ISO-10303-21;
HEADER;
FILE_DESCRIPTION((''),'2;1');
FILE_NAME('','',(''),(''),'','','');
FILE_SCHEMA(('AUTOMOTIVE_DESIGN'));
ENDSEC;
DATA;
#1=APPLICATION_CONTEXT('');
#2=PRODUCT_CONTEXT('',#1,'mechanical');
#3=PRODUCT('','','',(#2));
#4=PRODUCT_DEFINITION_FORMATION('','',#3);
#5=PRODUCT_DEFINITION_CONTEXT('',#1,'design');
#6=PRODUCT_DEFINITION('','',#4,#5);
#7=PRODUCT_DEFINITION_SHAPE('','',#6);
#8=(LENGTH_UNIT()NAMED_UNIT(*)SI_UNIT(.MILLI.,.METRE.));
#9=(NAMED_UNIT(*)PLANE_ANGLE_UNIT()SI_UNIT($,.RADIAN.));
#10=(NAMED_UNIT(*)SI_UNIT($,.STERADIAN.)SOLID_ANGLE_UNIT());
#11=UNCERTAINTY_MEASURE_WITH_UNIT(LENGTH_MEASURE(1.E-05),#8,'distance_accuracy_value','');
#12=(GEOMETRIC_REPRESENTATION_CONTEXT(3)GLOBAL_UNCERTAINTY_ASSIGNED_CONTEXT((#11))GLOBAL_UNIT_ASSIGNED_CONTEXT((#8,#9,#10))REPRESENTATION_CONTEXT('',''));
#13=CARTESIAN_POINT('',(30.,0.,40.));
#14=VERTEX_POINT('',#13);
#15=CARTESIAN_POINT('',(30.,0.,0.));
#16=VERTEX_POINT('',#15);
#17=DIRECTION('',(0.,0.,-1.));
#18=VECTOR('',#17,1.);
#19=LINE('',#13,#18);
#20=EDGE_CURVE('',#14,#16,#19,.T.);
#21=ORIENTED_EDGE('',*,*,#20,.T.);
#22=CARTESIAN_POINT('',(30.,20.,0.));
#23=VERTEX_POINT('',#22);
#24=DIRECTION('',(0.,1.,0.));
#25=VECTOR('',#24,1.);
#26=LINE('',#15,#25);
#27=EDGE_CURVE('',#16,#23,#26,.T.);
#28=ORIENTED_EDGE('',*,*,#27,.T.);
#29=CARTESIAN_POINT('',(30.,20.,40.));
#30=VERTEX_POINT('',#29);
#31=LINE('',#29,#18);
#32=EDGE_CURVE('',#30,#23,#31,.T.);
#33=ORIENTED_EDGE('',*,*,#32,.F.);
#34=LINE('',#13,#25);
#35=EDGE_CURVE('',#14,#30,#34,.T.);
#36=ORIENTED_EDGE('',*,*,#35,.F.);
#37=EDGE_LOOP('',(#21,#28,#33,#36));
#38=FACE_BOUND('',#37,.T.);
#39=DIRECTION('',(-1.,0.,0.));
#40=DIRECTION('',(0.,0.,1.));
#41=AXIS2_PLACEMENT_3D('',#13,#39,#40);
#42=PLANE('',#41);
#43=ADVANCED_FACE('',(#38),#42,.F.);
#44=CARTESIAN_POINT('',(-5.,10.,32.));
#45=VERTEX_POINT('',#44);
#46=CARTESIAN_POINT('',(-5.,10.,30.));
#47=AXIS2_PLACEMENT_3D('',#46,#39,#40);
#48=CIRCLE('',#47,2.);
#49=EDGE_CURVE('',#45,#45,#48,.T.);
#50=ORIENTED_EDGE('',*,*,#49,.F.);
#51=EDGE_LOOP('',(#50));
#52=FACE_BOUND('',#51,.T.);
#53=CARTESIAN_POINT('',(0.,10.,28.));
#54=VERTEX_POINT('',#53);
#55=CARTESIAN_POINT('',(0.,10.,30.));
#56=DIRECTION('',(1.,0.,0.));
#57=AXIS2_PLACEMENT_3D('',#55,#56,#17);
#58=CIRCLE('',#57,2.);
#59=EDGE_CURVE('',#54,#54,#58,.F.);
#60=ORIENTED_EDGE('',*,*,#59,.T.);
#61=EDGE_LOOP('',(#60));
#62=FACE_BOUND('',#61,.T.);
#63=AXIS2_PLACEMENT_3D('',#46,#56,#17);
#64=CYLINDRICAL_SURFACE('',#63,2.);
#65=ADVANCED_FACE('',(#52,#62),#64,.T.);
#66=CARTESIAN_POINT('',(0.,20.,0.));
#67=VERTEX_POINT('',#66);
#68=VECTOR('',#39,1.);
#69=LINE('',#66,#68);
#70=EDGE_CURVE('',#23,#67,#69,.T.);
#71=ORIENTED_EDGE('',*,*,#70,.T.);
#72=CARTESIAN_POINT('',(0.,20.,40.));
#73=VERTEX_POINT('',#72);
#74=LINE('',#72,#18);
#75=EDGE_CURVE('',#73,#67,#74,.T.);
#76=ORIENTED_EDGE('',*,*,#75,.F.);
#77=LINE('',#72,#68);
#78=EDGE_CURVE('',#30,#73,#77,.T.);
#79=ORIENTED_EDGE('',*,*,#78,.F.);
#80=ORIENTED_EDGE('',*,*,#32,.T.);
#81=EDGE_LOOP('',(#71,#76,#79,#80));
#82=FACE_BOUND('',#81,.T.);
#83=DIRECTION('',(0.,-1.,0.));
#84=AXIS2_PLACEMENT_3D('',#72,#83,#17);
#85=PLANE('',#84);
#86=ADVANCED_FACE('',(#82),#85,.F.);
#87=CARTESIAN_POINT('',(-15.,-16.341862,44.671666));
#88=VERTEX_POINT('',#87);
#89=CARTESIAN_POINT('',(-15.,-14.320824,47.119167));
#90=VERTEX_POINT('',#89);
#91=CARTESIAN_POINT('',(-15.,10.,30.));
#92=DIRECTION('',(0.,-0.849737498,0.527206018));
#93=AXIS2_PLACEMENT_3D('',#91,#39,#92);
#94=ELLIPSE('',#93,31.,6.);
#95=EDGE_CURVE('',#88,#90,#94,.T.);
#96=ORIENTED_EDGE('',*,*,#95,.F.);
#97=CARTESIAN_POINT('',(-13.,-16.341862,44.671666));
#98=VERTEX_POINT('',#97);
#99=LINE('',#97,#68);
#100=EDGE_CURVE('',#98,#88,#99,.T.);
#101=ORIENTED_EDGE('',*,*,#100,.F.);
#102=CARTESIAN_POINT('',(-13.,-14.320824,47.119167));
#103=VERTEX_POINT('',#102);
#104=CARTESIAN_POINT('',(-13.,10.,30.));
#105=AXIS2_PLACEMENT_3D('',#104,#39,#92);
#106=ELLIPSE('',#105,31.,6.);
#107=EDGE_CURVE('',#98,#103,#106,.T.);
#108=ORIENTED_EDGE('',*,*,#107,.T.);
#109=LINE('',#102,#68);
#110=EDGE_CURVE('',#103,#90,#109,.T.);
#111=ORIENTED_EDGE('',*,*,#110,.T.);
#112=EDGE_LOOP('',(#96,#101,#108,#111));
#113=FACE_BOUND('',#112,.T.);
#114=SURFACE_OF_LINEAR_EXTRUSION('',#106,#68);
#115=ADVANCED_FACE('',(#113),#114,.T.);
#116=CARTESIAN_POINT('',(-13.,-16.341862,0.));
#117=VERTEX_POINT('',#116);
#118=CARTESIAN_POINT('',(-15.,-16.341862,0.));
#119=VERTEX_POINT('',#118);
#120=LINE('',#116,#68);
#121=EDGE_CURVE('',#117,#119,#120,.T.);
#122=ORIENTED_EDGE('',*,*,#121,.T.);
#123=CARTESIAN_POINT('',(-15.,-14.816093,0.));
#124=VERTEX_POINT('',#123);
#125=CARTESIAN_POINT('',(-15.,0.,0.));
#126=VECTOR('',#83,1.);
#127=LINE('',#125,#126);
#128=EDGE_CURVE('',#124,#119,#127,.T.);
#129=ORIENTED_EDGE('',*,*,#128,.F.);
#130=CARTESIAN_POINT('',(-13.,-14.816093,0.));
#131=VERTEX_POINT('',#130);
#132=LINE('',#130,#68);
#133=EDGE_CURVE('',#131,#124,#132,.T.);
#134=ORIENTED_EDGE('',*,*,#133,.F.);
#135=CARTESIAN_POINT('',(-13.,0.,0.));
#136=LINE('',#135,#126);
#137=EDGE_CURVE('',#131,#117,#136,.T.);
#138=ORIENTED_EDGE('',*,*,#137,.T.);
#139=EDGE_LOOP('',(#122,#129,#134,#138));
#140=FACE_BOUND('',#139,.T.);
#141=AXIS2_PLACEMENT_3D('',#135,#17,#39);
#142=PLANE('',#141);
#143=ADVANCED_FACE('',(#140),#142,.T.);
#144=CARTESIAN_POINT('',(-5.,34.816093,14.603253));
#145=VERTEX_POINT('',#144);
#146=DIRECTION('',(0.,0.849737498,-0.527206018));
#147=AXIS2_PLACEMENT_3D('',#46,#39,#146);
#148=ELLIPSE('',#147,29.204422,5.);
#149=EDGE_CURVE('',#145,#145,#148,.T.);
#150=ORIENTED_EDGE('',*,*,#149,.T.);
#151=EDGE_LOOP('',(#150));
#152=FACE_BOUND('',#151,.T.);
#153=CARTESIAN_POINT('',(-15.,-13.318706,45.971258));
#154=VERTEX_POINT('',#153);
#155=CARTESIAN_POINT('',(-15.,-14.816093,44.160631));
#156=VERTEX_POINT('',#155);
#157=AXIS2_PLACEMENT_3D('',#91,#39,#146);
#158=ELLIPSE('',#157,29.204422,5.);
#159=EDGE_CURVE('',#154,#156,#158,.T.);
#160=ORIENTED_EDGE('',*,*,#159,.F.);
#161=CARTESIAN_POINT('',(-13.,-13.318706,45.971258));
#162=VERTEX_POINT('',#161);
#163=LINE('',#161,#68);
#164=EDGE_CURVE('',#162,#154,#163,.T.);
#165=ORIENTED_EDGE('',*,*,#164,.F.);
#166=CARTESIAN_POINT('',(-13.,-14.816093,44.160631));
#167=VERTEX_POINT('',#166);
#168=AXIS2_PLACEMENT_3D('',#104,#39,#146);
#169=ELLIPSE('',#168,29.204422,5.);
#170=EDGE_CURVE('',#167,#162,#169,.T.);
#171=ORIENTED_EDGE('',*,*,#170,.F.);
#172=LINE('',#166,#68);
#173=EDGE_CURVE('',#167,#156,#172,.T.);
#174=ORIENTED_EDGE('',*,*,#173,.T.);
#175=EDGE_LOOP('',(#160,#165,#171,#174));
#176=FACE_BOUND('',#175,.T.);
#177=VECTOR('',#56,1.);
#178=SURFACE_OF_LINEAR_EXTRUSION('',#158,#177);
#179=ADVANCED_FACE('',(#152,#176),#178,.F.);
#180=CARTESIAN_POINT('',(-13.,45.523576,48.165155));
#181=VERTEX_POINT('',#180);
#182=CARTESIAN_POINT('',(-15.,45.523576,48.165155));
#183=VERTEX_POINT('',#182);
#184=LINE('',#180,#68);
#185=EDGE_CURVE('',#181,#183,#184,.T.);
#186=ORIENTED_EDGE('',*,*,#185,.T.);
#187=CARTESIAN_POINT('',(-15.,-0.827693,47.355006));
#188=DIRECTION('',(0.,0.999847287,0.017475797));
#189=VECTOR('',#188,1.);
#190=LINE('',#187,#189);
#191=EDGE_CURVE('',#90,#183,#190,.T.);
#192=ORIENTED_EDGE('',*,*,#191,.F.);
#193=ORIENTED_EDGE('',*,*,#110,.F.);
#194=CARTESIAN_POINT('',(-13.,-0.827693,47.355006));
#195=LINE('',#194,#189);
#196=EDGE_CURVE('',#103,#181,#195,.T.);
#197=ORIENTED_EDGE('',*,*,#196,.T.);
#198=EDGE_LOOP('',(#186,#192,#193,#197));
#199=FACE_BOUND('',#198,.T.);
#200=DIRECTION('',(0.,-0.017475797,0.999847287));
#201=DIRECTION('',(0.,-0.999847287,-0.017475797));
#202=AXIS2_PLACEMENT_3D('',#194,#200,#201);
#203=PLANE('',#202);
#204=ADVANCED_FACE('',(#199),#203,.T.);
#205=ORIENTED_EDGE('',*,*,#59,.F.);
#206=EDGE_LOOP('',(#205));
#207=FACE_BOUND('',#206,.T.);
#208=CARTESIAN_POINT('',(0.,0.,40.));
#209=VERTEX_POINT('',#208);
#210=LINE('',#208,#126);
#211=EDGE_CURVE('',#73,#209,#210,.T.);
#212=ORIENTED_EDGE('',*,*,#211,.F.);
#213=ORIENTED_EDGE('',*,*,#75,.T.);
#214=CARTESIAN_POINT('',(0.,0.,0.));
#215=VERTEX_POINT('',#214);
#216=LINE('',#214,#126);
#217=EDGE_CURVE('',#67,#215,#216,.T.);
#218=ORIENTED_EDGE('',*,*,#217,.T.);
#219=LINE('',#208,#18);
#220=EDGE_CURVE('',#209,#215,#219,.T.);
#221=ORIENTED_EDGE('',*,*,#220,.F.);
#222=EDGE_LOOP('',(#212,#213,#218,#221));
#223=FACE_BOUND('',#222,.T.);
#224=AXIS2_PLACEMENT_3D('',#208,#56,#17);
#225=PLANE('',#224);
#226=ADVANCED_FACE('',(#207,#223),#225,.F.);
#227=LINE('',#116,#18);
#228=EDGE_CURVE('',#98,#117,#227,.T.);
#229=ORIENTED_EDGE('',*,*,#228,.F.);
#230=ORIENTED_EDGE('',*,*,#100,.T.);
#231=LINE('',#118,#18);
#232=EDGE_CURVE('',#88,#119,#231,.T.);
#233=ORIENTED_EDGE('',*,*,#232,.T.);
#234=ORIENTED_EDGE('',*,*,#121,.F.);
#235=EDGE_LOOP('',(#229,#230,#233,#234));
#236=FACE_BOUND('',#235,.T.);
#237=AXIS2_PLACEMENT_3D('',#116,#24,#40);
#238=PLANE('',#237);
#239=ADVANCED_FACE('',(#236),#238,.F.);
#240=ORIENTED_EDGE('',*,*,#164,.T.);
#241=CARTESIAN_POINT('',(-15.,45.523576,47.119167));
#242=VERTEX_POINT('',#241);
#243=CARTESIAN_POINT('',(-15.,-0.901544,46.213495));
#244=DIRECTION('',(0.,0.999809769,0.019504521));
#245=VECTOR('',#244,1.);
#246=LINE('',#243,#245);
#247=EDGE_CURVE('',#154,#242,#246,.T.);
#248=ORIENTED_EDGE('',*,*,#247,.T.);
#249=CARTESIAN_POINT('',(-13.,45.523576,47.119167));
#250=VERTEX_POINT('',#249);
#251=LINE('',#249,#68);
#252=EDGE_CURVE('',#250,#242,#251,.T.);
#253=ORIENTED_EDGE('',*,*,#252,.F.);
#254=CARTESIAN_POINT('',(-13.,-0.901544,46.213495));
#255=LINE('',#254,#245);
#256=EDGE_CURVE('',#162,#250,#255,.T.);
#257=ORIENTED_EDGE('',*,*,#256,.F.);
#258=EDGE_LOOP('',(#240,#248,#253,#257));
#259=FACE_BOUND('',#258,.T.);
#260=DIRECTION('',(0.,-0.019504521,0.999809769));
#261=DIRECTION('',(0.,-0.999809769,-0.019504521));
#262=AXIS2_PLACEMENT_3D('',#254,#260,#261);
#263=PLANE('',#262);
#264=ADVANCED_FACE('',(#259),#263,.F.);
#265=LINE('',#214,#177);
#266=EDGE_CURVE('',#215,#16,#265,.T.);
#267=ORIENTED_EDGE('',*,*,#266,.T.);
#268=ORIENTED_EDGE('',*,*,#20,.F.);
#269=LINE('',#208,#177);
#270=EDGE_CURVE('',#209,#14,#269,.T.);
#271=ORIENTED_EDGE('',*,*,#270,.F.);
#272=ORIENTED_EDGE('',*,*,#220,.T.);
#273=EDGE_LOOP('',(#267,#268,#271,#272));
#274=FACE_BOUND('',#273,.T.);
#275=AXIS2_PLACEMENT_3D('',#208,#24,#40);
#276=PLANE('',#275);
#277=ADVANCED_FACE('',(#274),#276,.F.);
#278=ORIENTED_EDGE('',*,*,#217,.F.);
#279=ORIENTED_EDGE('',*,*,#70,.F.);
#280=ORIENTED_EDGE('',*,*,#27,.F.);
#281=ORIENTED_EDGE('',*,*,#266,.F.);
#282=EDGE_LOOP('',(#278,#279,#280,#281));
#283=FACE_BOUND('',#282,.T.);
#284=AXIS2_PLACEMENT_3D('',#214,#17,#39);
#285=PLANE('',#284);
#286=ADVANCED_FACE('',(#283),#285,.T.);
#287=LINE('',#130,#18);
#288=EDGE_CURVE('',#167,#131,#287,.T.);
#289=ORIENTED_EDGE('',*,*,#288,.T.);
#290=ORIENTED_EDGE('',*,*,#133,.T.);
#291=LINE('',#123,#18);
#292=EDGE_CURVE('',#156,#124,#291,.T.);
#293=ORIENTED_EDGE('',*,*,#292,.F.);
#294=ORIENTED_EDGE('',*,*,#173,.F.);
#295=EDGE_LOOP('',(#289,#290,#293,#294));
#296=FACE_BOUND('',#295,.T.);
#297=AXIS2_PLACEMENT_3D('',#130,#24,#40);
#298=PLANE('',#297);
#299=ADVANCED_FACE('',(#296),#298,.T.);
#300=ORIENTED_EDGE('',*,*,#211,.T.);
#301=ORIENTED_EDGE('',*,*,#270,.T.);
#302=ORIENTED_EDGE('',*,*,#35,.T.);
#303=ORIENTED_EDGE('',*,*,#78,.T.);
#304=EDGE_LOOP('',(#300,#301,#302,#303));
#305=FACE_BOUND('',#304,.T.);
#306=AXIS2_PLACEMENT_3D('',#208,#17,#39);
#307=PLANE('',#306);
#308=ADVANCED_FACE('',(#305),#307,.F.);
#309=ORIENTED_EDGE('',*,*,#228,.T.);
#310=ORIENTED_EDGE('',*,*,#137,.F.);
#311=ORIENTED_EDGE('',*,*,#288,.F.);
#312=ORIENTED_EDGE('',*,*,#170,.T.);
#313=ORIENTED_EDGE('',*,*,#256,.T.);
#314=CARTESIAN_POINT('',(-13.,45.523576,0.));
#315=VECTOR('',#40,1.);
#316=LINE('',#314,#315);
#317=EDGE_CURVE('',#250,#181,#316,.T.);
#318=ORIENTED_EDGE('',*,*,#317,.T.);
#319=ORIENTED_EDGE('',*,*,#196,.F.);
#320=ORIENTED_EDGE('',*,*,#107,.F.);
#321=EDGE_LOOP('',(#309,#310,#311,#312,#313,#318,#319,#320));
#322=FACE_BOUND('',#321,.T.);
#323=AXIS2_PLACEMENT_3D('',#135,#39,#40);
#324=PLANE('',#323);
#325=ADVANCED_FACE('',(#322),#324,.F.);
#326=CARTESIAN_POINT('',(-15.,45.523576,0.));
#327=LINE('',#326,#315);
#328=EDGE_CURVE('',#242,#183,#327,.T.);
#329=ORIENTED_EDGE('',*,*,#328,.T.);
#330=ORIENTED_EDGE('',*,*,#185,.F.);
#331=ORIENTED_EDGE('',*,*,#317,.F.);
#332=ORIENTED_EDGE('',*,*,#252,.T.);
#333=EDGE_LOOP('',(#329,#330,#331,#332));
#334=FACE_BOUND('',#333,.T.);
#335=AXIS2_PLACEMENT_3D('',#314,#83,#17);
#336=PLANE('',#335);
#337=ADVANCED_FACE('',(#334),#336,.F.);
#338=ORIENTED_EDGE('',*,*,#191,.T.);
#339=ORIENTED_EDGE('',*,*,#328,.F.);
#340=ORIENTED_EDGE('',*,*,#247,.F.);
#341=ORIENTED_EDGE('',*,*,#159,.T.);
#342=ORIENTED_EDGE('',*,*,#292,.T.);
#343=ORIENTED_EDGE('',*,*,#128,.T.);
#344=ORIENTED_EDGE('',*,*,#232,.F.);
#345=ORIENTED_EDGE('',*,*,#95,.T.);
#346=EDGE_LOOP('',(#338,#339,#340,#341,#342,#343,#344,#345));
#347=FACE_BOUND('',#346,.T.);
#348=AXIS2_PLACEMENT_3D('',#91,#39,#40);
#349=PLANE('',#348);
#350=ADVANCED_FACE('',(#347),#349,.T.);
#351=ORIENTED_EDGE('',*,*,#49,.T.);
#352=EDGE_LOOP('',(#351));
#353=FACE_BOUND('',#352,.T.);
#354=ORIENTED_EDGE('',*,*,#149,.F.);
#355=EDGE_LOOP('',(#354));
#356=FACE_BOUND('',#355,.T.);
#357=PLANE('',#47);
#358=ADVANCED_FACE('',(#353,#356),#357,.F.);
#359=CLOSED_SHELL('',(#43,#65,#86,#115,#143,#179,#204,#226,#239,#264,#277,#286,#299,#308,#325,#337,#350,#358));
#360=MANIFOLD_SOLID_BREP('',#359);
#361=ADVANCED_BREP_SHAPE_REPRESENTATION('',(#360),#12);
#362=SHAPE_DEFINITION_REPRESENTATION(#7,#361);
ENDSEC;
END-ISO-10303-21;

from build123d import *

# Parameters (mm, degrees)
SKETCH_1_W      = 30
SKETCH_1_H      = 20
EXTRUDE_1_DEPTH = 40
SKETCH_2_R      = 2
EXTRUDE_2_DEPTH = 5
SKETCH_3_RX     = 29.20442212
SKETCH_3_RY     = 5
EXTRUDE_4_DEPTH = 10
EXTRUDE_5_DEPTH = 2


with BuildPart() as part:
    # 草图1 → 凸台-拉伸1 (new body)
    with BuildSketch(Plane.XY):
        with Locations((15, 10)):
            Rectangle(SKETCH_1_W, SKETCH_1_H)
    extrude(amount=EXTRUDE_1_DEPTH)

    # 草图2 → 凸台-拉伸2 (add)
    with BuildSketch(Plane.ZY):
        with Locations(Location((30, 10, 0), (0, 0, 180))):
            Circle(SKETCH_2_R)
    extrude(amount=EXTRUDE_2_DEPTH)

    # 草图3 → 凸台-拉伸4 (add)
    with BuildSketch(Plane.ZY.offset(5)):
        with Locations(Location((30, 10), (0, 0, -58.183129666))):
            Ellipse(SKETCH_3_RX, SKETCH_3_RY)
    extrude(amount=EXTRUDE_4_DEPTH)

    # 草图4 → 凸台-拉伸5 (add)
    with BuildSketch(Plane.ZY.offset(15)):
        with BuildLine():
            add(Edge.make_bspline(
                [(44.671665843, -16.341862431), (45.731147297, -16.721716463), (46.343386543, -16.341862431)],
                knots=[6.044161849, 6.044161849, 6.044161849, 6.283185307, 6.283185307, 6.283185307], degree=2, weights=[1, 0.99286697, 1]))
            Line((46.343386543, -16.341862431), (44.671665843, -16.341862431))
        make_face()
        with BuildLine():
            Line((44.671665843, -16.341862431), (46.343386543, -16.341862431))
            add(Edge.make_bspline(
                [(46.343386543, -16.341862431), (47.091960208, -15.877421892), (47.119167153, -14.320823946)],
                knots=[0, 0, 0, 0.29156576, 0.29156576, 0.29156576], degree=2, weights=[1, 0.989392482, 1]))
            add(Edge.make_bspline(
                [(47.119167153, -14.320823946), (47.153377166, -12.363557646), (46.056833567, -8.932081728)],
                knots=[0.29156576, 0.29156576, 0.29156576, 0.656688827, 0.656688827, 0.656688827], degree=2, weights=[1, 0.983381875, 1]))
            Line((46.056833567, -8.932081728), (45.971258289, -13.31870573))
            add(Edge.make_bspline(
                [(45.396747079, -14.816092575), (45.948727857, -14.473624944), (45.971258289, -13.31870573)],
                knots=[3.141592654, 3.141592654, 3.141592654, 3.399981292, 3.399981292, 3.399981292], degree=2, weights=[1, 0.991666016, 1]))
            add(Edge.make_bspline(
                [(44.16063068, -14.816092575), (44.945440411, -15.096098568), (45.396747079, -14.816092575)],
                knots=[2.929941094, 2.929941094, 2.929941094, 3.141592654, 3.141592654, 3.141592654], degree=2, weights=[1, 0.994405676, 1]))
            Line((44.16063068, -14.816092575), (42.129626505, -14.816092575))
            add(Edge.make_bspline(
                [(42.129626505, -14.816092575), (43.598799221, -15.957209438), (44.671665843, -16.341862431)],
                knots=[5.802147853, 5.802147853, 5.802147853, 6.044161849, 6.044161849, 6.044161849], degree=2, weights=[1, 0.992687583, 1]))
        make_face()
        with BuildLine():
            Line((0, -16.341862431), (44.671665843, -16.341862431))
            add(Edge.make_bspline(
                [(42.129626505, -14.816092575), (43.598799221, -15.957209438), (44.671665843, -16.341862431)],
                knots=[5.802147853, 5.802147853, 5.802147853, 6.044161849, 6.044161849, 6.044161849], degree=2, weights=[1, 0.992687583, 1]))
            Line((42.129626505, -14.816092575), (0, -14.816092575))
            Line((0, -14.816092575), (0, -16.341862431))
        make_face()
        with BuildLine():
            add(Edge.make_bspline(
                [(47.119167153, -14.320823946), (47.153377166, -12.363557646), (46.056833567, -8.932081728)],
                knots=[0.29156576, 0.29156576, 0.29156576, 0.656688827, 0.656688827, 0.656688827], degree=2, weights=[1, 0.983381875, 1]))
            Line((47.119167153, -14.320823946), (48.165155486, 45.523575701))
            Line((48.165155486, 45.523575701), (47.119167153, 45.523575701))
            Line((47.119167153, 45.523575701), (46.056833567, -8.932081728))
        make_face()
    extrude(amount=-EXTRUDE_5_DEPTH)


solid = part.part
